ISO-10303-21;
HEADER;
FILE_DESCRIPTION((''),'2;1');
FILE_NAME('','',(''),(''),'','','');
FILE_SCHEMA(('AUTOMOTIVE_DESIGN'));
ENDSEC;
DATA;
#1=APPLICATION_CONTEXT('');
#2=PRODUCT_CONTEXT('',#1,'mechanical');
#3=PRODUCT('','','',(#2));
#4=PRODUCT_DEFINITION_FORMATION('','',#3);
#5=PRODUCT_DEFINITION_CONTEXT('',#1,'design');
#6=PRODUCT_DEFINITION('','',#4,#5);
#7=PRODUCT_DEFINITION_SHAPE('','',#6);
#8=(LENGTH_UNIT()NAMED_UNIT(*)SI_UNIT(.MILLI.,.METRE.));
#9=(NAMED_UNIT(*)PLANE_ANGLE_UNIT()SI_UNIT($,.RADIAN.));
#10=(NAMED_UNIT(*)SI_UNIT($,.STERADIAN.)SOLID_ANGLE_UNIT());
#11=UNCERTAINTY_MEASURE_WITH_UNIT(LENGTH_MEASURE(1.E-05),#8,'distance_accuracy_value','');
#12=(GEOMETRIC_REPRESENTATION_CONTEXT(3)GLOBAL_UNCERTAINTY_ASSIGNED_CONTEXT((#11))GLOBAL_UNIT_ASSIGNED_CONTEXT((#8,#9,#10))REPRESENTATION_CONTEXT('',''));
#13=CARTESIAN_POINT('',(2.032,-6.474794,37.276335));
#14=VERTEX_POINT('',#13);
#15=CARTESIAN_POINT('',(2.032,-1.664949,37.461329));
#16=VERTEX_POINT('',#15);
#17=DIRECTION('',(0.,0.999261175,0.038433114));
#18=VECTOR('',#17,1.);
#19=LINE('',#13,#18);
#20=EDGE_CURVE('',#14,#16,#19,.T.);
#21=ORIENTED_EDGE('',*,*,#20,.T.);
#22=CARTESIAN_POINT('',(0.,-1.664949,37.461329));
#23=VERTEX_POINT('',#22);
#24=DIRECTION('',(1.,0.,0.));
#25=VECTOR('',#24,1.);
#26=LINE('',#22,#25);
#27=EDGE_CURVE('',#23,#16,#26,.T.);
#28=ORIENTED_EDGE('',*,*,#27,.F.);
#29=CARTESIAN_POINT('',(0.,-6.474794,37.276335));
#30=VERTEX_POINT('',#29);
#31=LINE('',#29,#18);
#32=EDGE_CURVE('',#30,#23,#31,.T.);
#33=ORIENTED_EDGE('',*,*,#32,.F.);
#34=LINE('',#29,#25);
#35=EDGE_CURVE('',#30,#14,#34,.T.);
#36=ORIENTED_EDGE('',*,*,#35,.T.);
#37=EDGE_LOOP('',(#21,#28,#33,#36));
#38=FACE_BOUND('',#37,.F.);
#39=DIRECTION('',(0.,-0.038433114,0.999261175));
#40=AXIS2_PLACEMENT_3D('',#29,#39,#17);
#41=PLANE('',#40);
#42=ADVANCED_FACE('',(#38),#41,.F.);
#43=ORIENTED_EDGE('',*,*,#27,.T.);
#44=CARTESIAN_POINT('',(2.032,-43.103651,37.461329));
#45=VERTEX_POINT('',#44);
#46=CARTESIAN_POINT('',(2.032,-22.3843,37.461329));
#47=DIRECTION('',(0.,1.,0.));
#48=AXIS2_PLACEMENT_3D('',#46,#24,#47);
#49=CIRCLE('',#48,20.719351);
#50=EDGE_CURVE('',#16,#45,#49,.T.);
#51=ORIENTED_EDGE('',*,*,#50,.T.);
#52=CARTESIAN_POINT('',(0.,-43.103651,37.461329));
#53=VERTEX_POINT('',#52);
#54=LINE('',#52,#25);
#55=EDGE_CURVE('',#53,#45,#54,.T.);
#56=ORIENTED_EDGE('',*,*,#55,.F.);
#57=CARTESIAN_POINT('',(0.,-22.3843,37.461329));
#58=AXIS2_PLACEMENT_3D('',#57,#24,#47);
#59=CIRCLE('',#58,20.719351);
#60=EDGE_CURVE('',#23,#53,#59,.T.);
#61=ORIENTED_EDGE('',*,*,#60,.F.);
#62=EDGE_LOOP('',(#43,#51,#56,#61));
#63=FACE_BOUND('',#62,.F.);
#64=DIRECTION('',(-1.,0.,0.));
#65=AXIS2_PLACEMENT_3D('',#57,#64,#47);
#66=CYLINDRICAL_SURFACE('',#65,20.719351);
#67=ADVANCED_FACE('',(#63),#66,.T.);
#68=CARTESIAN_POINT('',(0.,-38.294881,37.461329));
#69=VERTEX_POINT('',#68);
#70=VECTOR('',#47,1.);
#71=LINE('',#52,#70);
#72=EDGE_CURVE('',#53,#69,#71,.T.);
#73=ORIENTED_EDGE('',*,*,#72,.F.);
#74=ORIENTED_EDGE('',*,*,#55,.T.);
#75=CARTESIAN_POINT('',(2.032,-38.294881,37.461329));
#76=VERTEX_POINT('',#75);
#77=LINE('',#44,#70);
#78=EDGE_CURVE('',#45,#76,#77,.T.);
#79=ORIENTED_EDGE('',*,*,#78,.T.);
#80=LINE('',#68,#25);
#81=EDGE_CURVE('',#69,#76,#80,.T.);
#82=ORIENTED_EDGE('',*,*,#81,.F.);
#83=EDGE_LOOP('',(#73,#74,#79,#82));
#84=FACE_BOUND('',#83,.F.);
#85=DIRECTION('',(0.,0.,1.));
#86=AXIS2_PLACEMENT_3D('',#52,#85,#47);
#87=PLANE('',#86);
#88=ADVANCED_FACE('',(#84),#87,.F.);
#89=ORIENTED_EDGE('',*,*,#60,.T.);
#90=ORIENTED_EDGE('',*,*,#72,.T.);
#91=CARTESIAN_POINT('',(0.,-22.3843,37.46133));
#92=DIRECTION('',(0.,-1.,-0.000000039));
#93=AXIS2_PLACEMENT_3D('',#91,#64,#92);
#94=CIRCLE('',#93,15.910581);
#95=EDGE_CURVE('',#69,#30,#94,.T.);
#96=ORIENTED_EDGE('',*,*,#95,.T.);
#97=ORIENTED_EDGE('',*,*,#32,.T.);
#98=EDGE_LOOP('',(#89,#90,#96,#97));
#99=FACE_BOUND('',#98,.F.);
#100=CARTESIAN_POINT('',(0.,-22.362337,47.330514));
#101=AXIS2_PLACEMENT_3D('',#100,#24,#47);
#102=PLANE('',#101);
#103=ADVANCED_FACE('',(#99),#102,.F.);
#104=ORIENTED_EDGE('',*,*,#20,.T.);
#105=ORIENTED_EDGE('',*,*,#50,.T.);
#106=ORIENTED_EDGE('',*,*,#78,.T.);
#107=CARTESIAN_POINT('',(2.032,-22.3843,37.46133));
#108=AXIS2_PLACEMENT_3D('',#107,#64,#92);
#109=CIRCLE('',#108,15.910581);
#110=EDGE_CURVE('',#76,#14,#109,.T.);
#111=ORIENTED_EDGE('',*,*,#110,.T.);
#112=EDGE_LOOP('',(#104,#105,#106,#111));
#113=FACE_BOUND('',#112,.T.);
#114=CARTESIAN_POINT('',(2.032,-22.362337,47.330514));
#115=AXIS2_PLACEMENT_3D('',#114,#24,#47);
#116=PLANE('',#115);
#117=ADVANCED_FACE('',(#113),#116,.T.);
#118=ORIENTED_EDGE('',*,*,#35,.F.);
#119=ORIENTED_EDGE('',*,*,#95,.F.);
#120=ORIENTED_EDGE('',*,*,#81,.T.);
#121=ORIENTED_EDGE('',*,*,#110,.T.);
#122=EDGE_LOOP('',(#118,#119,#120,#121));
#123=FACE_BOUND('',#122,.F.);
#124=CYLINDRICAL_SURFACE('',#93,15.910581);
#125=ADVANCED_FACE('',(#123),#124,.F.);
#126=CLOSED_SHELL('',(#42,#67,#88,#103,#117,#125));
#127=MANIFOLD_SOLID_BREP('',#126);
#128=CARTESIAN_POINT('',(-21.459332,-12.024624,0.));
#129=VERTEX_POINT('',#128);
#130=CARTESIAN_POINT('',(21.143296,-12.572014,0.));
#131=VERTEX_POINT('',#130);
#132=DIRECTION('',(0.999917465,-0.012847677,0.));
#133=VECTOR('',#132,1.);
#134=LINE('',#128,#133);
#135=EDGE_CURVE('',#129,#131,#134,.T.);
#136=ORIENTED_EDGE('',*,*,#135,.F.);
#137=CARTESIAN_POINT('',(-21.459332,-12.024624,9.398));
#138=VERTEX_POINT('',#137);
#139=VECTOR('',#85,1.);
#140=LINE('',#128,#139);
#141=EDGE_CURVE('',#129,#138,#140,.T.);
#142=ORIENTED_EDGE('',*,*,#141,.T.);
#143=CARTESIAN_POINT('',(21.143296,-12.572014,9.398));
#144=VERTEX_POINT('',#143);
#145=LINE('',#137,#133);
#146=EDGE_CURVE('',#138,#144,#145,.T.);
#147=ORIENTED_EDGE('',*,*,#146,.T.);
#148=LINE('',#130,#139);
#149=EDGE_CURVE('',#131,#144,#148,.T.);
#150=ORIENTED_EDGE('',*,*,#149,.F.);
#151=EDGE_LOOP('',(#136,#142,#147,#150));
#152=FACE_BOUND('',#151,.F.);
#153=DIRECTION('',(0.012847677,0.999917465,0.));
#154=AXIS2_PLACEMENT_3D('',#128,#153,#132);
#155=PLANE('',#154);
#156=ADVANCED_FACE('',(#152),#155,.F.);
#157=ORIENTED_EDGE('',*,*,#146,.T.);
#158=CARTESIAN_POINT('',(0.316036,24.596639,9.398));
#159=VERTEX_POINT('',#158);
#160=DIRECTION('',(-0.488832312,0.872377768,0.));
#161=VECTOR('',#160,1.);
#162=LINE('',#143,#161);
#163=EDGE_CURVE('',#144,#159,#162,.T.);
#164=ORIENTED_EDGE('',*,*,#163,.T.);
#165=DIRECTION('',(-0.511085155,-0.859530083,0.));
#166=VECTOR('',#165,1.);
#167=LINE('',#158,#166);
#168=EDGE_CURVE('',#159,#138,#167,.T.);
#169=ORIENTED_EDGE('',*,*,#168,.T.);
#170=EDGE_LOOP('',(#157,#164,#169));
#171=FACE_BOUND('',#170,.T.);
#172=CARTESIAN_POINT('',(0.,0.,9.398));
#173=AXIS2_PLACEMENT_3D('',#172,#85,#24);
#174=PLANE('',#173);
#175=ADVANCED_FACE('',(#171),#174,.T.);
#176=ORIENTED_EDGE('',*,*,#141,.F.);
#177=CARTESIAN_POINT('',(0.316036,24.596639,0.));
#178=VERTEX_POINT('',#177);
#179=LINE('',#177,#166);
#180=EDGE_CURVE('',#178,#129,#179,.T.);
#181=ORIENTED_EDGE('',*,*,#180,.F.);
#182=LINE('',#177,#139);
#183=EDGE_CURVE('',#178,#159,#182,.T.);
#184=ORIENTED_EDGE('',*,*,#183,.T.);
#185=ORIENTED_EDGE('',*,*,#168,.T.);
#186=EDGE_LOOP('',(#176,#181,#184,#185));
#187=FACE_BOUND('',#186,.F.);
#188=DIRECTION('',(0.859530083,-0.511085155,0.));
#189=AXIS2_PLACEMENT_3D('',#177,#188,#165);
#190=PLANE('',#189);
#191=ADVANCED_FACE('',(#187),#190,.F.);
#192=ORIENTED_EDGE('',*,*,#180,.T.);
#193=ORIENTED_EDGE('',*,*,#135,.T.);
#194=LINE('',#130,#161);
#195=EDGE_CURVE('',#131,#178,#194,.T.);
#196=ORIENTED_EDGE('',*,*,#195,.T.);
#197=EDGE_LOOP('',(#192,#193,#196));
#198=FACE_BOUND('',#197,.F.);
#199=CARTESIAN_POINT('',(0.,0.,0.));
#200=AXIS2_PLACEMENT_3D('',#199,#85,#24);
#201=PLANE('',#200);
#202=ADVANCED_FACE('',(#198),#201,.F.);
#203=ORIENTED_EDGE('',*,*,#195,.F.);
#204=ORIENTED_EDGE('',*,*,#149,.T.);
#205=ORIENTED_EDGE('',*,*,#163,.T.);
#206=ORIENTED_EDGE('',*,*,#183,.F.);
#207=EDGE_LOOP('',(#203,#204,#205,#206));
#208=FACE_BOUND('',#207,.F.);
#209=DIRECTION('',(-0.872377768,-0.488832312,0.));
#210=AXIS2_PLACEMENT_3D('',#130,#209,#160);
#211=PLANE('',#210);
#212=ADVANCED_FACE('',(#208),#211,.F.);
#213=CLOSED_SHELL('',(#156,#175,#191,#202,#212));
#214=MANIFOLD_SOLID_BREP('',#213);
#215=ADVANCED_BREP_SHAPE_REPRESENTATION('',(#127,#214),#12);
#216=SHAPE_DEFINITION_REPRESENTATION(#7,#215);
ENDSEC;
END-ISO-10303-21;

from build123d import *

# Parameters (mm, degrees)
F1_DEPTH = 9.398
F3_DEPTH = 2.032


with BuildPart() as f1:
    # F0 (on Top) → F1 (new body)
    with BuildSketch(Plane.XY):
        Polygon((21.143296, -12.572014), (0.316036, 24.596639), (-21.459332, -12.024624), align=None)
    extrude(amount=F1_DEPTH)


with BuildPart() as f3:
    # F2 (on Right) → F3 (new body)
    with BuildSketch(Plane.YZ):
        with BuildLine():
            ThreePointArc((-38.294881, 37.461329), (-22.291801, 53.371642), (-6.474794, 37.276335))
            Line((-6.474794, 37.276335), (-1.664949, 37.461329))
            ThreePointArc((-1.664949, 37.461329), (-22.3843, 58.18068), (-43.103651, 37.461329))
            Line((-43.103651, 37.461329), (-38.294881, 37.461329))
        make_face()
    extrude(amount=F3_DEPTH)


solid = Compound([f1.part, f3.part])
